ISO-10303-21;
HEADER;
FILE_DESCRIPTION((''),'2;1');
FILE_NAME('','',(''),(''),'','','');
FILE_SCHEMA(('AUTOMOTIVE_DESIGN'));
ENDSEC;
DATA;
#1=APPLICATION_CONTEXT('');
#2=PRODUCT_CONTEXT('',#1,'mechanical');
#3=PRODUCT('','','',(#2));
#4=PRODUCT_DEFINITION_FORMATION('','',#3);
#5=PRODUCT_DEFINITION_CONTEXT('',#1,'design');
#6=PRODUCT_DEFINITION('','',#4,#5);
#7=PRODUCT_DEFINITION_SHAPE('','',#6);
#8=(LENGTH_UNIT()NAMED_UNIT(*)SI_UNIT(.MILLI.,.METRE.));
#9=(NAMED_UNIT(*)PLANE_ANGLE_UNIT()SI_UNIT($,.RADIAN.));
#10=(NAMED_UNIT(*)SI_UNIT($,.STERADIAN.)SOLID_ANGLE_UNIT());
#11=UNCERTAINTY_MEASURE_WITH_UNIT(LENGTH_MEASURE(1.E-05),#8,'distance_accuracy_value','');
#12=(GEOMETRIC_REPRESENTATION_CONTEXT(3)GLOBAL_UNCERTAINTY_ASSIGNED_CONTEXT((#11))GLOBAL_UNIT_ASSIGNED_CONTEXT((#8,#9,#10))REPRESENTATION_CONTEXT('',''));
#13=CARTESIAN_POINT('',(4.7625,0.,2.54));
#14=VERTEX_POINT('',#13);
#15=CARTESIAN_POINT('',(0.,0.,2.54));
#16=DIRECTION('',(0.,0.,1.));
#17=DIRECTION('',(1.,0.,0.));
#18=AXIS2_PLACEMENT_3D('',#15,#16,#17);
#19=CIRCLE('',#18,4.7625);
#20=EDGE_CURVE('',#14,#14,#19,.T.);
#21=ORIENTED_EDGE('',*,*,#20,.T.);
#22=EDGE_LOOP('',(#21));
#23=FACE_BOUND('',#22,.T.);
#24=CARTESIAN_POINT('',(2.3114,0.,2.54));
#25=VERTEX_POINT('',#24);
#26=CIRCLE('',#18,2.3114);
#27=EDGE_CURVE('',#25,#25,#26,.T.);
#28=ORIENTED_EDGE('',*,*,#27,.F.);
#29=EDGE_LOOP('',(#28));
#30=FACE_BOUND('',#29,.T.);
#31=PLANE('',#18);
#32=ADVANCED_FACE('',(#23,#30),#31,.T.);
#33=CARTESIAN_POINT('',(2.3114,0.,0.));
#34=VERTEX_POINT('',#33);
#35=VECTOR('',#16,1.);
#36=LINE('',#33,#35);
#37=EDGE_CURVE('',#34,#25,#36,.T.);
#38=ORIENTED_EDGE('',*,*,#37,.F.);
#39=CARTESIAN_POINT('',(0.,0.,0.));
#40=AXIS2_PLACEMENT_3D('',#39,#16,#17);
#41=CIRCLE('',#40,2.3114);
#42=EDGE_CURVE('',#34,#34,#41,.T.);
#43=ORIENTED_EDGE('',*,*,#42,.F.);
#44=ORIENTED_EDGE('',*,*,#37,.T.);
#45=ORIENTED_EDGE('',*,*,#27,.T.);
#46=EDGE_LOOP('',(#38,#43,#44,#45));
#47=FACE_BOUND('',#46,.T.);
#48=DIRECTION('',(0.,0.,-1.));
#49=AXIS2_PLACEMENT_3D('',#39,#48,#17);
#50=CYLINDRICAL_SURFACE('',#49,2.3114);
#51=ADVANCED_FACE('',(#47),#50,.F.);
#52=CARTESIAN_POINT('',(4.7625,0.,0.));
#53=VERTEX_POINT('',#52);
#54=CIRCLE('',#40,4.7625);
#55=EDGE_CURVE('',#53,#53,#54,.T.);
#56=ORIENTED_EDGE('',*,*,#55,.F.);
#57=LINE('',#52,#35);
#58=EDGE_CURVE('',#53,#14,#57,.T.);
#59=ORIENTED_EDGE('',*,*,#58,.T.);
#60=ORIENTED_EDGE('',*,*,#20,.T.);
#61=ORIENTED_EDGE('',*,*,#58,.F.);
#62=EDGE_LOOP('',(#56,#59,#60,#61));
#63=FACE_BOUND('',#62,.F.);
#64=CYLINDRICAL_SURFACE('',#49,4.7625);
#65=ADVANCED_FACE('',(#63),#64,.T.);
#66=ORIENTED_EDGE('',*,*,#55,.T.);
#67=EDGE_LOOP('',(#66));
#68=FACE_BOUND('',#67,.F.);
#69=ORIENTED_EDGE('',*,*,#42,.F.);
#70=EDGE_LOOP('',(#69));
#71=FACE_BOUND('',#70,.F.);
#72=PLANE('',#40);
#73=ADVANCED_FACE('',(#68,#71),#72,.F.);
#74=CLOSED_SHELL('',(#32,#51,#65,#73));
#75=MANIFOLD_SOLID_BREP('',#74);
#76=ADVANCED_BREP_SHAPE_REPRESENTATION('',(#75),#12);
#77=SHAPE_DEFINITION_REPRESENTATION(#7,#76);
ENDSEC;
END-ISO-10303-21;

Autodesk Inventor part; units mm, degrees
ref_plane "YZ Plane" through (0, 0, 0) normal (1, 0, 0) x (0, 1, 0)
ref_plane "XZ Plane" through (0, 0, 0) normal (0, 1, 0) x (-1, 0, 0)
ref_plane "XY Plane" through (0, 0, 0) normal (0, 0, 1) x (1, 0, 0)
sketch "Sketch1" plane through (0, 0, 0) normal (0, 0, 1) x (1, 0, 0)
  line L0 (-1.6002, 1.6002) -> (1.6002, 1.6002)
  line L1 (1.6002, 1.6002) -> (1.6002, -1.6002)
  line L2 (1.6002, -1.6002) -> (-1.6002, -1.6002)
  line L3 (-1.6002, -1.6002) -> (-1.6002, 1.6002)
  line L4 (-1.6002, 1.6002) -> (1.6002, -1.6002) construction
  line L5 (1.6002, 1.6002) -> (-1.6002, -1.6002) construction
  circle A0 centre (0, 0) radius 2.3114
  circle A1 centre (0, 0) radius 4.7625
  dimension "d0" = 3.2004
  dimension "d1" = 3.2004
  dimension "d2" = 4.6228
  dimension "d3" = 9.525
extrude "Extrusion1" add sketch "Sketch1" along normal blind 2.54 contours A1
properties part number "100spacer"
